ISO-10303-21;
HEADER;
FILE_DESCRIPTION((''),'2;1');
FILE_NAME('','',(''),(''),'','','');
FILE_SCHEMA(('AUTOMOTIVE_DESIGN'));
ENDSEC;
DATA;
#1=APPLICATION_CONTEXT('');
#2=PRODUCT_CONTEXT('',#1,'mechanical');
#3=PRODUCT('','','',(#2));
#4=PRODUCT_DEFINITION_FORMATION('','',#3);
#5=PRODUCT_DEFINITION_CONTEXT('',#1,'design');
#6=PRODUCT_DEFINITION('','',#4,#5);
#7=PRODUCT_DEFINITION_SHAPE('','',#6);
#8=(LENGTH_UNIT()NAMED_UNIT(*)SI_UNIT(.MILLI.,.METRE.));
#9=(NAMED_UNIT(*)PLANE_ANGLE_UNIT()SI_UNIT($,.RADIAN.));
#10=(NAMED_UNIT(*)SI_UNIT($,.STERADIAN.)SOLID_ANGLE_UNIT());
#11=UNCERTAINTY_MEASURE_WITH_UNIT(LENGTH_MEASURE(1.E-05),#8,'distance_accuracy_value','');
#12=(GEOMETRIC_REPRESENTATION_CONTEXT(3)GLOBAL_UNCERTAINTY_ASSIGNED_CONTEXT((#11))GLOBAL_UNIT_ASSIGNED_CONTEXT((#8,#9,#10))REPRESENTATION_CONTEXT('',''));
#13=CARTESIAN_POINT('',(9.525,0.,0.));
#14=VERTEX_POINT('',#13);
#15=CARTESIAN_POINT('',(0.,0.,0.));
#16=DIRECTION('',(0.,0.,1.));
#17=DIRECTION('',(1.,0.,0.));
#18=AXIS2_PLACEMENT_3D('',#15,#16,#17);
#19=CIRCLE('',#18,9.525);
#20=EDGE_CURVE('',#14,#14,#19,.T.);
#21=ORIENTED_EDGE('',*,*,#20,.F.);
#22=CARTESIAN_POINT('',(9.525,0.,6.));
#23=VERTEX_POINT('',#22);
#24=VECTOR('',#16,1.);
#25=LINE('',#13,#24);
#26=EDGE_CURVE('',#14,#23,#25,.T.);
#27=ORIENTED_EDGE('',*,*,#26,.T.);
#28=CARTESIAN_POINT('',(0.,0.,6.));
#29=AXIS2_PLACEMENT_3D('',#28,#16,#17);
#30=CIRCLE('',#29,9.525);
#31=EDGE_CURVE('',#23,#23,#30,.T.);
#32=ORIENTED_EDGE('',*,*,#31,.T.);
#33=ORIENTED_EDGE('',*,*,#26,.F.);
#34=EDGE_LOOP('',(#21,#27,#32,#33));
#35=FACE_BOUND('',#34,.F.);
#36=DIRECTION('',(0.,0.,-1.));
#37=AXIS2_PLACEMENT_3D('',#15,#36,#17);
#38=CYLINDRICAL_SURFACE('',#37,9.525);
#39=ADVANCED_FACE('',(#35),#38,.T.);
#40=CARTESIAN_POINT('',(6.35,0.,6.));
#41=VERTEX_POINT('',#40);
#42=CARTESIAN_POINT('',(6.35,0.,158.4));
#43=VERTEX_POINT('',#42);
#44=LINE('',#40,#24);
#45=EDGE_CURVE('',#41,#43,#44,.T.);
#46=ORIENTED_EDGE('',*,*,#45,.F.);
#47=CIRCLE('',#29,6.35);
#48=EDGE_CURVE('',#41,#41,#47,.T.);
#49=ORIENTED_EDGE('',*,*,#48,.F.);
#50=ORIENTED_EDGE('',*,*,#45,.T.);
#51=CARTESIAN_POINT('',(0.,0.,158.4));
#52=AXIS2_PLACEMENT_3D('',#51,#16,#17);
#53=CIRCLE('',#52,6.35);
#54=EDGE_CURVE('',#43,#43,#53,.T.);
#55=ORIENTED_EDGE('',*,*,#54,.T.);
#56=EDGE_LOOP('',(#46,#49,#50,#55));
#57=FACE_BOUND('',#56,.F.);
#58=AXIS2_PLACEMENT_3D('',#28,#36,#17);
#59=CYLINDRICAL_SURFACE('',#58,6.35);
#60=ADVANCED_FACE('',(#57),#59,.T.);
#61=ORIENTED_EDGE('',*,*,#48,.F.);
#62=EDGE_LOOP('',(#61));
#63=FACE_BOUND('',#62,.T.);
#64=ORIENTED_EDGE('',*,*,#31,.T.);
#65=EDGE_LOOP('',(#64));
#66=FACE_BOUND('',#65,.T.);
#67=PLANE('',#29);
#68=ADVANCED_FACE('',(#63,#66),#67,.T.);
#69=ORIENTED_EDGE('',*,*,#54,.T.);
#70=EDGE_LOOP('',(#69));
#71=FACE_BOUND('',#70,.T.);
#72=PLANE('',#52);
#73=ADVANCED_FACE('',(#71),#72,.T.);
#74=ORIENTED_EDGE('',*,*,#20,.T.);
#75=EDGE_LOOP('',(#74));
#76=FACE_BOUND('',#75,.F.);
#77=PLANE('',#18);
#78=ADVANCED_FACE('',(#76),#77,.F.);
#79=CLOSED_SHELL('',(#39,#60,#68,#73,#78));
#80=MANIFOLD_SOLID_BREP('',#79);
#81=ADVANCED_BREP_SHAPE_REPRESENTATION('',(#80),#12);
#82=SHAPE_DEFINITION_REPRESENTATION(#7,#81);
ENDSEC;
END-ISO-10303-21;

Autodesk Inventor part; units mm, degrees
ref_plane "YZ Plane" through (0, 0, 0) normal (1, 0, 0) x (0, 1, 0)
ref_plane "XZ Plane" through (0, 0, 0) normal (0, 1, 0) x (-1, 0, 0)
ref_plane "XY Plane" through (0, 0, 0) normal (0, 0, 1) x (1, 0, 0)
sketch "Sketch1" plane through (0, 0, 0) normal (0, 0, 1) x (1, 0, 0)
  circle A0 centre (0, 0) radius 9.525
  dimension "d0" = 19.05
extrude "Extrusion1" add sketch "Sketch1" along normal blind 6
sketch "Sketch2" plane through (0, 0, 6) normal (0, 0, 1) x (1, 0, 0)
  circle A0 centre (0, 0) radius 6.35
  dimension "d3" = 12.7
extrude "Extrusion2" add sketch "Sketch2" along normal blind 152.4
properties part number "1-2in_13tpi x 6 in"
